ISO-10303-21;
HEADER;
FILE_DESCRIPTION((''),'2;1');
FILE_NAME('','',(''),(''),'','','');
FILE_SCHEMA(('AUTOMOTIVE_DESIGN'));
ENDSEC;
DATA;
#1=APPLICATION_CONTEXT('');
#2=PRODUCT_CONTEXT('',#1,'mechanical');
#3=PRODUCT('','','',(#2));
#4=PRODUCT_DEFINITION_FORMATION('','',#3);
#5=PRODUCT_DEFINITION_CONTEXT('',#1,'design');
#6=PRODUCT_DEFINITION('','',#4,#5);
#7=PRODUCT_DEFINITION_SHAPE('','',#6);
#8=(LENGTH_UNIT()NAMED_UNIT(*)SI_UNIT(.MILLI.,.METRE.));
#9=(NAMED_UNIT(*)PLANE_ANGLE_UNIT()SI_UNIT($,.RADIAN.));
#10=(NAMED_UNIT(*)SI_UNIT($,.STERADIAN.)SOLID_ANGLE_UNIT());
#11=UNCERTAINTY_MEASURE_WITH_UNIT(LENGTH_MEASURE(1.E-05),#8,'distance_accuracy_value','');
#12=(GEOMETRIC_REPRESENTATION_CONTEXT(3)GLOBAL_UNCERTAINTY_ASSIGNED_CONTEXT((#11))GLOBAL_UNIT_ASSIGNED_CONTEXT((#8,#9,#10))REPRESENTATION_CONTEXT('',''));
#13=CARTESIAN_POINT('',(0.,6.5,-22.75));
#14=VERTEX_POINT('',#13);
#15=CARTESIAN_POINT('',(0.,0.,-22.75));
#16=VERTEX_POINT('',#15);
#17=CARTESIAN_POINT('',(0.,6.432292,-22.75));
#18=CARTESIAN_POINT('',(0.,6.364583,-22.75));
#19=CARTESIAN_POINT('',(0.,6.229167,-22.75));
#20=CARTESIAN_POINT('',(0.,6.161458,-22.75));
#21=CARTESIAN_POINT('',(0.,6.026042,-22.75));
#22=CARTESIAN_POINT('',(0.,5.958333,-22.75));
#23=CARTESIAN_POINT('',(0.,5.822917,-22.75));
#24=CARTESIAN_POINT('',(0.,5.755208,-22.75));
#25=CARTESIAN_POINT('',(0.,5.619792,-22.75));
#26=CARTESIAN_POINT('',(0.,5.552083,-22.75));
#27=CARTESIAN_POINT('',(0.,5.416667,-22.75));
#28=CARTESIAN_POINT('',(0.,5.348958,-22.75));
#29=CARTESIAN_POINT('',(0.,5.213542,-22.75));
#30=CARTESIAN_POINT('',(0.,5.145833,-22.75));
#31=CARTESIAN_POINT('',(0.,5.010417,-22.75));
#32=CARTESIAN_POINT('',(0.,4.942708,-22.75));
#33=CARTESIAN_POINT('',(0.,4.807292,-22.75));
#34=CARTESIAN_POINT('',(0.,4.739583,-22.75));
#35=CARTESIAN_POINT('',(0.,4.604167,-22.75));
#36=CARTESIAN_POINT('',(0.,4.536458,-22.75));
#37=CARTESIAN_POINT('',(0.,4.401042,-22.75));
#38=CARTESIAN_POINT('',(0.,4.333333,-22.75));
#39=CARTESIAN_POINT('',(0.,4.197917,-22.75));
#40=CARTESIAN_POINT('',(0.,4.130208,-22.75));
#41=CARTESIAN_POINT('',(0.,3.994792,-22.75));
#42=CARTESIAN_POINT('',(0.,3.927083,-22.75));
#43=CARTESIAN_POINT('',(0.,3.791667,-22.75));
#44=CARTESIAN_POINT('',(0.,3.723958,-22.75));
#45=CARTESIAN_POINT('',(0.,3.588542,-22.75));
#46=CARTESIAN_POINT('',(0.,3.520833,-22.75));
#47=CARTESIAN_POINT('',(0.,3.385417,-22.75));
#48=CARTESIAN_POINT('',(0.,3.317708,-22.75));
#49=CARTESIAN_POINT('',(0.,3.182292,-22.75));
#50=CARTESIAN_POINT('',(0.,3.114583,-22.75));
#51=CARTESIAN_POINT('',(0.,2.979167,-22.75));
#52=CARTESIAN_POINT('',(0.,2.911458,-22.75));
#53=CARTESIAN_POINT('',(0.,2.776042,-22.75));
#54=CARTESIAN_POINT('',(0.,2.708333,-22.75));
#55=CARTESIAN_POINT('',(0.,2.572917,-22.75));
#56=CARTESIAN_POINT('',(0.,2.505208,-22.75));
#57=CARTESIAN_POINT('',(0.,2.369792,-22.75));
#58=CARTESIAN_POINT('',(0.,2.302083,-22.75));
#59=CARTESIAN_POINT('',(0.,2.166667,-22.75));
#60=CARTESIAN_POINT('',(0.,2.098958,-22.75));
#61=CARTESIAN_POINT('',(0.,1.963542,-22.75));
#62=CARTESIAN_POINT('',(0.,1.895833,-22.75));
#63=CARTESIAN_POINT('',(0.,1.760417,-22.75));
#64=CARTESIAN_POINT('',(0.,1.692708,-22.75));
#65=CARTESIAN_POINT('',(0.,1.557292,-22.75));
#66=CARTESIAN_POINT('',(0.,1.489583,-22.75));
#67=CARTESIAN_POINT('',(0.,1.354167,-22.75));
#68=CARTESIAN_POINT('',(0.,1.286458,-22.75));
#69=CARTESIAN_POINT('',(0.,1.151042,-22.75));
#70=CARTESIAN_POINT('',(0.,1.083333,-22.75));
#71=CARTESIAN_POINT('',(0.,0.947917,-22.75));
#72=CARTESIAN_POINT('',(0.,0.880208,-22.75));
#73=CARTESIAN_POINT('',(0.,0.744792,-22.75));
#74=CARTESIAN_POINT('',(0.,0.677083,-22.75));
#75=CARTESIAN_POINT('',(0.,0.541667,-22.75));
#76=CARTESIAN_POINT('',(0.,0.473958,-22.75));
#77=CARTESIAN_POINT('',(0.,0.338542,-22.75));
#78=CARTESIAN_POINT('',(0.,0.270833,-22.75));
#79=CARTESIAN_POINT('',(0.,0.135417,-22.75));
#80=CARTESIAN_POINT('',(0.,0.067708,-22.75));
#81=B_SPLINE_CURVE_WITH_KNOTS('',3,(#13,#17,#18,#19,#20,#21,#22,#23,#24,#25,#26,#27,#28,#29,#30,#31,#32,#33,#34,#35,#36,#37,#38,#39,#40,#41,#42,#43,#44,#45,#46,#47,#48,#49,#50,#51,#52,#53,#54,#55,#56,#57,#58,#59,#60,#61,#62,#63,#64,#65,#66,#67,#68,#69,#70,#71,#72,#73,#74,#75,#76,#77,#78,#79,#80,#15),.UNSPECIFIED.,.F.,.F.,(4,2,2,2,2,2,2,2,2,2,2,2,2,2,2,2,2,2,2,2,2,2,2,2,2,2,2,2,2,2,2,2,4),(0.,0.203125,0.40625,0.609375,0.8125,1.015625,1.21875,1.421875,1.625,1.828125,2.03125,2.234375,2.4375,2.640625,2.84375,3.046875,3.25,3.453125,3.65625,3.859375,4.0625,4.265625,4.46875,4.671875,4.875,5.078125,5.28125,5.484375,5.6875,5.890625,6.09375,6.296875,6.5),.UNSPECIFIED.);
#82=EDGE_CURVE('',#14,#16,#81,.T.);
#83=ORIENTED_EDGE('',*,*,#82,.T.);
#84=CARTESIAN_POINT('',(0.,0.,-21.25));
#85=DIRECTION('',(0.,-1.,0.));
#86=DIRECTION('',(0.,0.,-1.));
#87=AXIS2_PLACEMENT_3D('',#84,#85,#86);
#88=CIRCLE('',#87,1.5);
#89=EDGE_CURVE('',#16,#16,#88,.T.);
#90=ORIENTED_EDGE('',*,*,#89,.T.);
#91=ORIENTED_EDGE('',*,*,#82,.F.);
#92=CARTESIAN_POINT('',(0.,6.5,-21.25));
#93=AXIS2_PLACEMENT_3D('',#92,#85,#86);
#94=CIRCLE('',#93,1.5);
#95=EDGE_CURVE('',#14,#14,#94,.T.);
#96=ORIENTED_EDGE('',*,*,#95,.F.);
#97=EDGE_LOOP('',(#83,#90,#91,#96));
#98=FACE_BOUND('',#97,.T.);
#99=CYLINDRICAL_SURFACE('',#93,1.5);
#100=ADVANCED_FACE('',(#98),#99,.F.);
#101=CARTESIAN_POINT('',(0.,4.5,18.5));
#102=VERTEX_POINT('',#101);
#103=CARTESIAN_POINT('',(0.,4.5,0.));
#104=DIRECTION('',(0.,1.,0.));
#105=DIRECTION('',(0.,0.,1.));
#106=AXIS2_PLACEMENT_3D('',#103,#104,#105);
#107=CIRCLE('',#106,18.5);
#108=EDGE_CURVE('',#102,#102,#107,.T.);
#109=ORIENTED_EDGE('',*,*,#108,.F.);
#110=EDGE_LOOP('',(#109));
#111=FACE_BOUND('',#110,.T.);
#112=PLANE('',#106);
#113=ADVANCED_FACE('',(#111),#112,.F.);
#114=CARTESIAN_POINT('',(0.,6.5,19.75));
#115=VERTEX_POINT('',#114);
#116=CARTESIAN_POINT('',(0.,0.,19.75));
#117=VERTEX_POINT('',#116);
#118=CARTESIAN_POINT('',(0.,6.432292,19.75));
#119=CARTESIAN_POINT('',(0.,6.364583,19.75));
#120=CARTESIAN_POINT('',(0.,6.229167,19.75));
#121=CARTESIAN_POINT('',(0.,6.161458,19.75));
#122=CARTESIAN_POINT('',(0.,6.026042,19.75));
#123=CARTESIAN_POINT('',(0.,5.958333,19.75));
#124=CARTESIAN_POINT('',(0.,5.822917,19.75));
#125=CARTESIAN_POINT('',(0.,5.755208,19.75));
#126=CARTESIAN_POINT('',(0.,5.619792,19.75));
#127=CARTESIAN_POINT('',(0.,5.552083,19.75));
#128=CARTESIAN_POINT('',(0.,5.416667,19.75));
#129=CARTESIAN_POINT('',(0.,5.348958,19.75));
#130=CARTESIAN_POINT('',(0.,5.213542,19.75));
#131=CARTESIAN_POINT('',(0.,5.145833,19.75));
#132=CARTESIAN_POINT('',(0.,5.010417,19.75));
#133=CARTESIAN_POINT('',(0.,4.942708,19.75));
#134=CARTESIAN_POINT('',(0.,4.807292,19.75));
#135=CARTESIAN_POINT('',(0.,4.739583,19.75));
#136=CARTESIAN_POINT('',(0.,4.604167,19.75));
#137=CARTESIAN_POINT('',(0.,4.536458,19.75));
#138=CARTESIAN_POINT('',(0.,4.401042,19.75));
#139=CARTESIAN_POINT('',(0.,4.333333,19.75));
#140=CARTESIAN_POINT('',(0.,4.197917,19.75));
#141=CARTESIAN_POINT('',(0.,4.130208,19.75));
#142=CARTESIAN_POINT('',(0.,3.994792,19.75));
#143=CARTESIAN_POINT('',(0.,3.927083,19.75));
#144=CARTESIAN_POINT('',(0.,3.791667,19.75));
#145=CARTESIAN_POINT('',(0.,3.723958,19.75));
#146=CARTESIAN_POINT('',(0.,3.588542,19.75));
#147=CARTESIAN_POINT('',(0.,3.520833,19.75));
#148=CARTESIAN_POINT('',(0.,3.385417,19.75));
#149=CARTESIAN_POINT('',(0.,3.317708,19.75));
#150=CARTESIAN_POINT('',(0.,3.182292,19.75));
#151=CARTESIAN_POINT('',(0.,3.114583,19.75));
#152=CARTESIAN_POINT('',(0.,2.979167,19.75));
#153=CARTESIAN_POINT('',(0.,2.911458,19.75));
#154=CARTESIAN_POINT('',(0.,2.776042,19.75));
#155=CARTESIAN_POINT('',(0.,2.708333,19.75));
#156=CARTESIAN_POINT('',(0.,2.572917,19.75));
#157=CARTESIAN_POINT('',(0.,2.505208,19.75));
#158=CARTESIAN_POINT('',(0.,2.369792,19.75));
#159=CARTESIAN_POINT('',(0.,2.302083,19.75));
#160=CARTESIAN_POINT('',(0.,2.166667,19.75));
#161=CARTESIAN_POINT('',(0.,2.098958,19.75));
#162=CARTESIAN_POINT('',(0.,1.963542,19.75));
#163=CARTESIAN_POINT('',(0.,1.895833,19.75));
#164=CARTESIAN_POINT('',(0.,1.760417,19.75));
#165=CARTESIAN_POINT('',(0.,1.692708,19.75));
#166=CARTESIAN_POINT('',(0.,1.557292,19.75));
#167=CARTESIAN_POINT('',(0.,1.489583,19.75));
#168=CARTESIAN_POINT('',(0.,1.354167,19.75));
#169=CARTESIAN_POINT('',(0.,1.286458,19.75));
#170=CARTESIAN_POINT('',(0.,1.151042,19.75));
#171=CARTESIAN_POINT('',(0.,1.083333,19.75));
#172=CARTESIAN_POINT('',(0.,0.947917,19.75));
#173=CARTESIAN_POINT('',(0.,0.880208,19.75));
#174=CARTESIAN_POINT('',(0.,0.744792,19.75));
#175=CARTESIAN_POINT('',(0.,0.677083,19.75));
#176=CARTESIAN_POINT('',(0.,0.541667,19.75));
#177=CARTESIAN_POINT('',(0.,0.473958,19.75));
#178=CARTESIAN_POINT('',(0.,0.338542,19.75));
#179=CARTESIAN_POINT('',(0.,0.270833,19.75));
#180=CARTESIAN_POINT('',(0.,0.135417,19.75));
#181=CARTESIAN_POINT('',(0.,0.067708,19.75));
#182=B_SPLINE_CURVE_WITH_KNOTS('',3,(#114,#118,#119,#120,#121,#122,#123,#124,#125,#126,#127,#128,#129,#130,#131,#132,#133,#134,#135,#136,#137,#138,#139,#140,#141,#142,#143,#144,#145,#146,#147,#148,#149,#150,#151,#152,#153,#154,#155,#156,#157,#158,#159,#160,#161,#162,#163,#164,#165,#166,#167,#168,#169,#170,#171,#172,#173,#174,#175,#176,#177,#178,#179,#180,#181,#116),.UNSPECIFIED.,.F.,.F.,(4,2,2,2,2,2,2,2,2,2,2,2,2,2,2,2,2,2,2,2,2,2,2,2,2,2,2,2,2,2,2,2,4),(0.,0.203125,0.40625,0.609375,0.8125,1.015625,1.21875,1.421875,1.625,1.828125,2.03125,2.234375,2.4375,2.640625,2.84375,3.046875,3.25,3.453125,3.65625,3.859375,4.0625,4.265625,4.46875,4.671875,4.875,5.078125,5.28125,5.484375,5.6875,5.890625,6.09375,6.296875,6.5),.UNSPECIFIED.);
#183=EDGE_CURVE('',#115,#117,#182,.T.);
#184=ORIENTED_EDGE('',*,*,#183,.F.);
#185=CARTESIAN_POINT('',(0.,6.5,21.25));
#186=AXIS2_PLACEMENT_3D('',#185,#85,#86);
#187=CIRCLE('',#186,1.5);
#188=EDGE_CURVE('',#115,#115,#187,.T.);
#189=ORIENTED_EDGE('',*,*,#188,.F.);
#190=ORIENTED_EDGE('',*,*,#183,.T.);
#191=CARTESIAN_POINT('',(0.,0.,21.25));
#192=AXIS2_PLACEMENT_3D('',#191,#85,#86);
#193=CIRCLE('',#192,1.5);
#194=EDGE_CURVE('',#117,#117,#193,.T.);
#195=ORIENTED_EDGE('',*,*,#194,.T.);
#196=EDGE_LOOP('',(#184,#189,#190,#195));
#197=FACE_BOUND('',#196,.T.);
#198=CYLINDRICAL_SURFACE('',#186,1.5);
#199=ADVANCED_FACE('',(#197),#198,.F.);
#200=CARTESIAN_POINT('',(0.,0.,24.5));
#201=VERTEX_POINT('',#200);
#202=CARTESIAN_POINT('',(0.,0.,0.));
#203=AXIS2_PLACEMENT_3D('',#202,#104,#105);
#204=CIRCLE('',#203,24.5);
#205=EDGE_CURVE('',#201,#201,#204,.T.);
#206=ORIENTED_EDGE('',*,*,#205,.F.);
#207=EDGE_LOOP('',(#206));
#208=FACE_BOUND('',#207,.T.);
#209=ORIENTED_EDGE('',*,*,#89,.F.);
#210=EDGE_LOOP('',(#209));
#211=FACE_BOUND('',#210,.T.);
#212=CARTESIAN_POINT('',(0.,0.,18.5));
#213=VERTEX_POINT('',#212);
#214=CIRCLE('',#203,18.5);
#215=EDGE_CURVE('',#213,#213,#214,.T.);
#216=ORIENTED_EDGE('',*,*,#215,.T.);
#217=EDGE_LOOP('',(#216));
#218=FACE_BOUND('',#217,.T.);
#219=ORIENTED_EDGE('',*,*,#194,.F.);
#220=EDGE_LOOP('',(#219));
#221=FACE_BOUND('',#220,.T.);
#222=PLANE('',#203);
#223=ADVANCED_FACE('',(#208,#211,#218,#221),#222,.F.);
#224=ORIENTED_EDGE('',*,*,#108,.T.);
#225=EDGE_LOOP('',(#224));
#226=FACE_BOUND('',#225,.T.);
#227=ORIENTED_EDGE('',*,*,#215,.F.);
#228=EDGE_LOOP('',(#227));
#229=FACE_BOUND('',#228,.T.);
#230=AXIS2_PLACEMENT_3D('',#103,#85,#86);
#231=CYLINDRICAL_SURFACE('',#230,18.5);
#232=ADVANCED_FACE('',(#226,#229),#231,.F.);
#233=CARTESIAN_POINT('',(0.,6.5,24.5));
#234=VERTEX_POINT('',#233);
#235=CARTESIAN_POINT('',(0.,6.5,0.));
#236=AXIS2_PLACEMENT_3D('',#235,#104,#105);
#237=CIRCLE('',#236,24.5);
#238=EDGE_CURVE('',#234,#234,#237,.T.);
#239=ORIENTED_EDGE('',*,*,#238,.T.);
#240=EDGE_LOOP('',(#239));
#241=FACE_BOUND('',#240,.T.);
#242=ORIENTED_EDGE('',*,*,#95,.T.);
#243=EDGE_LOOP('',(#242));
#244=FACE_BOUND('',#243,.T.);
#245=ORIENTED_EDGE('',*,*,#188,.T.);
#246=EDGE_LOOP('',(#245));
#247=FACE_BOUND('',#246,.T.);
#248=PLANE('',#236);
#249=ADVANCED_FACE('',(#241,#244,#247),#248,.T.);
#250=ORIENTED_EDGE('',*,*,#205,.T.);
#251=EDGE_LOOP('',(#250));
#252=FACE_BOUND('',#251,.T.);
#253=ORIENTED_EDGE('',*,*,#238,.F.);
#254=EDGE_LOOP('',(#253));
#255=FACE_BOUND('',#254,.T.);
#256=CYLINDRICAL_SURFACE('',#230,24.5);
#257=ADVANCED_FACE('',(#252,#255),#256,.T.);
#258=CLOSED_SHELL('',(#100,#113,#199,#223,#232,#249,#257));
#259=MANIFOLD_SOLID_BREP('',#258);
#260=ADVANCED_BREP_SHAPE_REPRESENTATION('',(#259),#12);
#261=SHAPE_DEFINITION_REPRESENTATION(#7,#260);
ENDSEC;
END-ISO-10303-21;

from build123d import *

# Parameters (mm, degrees)
SKETCH1_R           = 24.5
SKETCH1_R_2         = 18.5
BOSS_EXTRUDE1_DEPTH = 4.5
SKETCH2_R           = 24.5
BOSS_EXTRUDE2_DEPTH = 2
SKETCH3_R           = 1.5
CUT_EXTRUDE1_DEPTH  = 36.252659474


with BuildPart() as part:
    # Sketch1 → Boss-Extrude1 (new body)
    with BuildSketch(Plane(origin=(0, 0, 0), x_dir=(1, 0, 0), z_dir=(0, 1, 0))):
        with Locations(Location((0, 0, 0), (0, 0, 270))):
            Circle(SKETCH1_R)
        with Locations(Location((0, 0, 0), (0, 0, 270))):
            Circle(SKETCH1_R_2, mode=Mode.SUBTRACT)
    extrude(amount=BOSS_EXTRUDE1_DEPTH)

    # Sketch2 → Boss-Extrude2 (add)
    with BuildSketch(Plane(origin=(0, 4.5, 0), x_dir=(1, 0, 0), z_dir=(0, 1, 0))):
        with Locations(Location((0, 0, 0), (0, 0, 270))):
            Circle(SKETCH2_R)
    extrude(amount=BOSS_EXTRUDE2_DEPTH)

    # Sketch3 → Cut-Extrude1 (cut, through all)
    with BuildSketch(Plane.XZ):
        with Locations(Location((0, -21.25, 0), (0, 0, 270))):
            Circle(SKETCH3_R)
        with Locations(Location((0, 21.25, 0), (0, 0, 270))):
            Circle(SKETCH3_R)
    extrude(amount=-CUT_EXTRUDE1_DEPTH, mode=Mode.SUBTRACT)


solid = part.part
